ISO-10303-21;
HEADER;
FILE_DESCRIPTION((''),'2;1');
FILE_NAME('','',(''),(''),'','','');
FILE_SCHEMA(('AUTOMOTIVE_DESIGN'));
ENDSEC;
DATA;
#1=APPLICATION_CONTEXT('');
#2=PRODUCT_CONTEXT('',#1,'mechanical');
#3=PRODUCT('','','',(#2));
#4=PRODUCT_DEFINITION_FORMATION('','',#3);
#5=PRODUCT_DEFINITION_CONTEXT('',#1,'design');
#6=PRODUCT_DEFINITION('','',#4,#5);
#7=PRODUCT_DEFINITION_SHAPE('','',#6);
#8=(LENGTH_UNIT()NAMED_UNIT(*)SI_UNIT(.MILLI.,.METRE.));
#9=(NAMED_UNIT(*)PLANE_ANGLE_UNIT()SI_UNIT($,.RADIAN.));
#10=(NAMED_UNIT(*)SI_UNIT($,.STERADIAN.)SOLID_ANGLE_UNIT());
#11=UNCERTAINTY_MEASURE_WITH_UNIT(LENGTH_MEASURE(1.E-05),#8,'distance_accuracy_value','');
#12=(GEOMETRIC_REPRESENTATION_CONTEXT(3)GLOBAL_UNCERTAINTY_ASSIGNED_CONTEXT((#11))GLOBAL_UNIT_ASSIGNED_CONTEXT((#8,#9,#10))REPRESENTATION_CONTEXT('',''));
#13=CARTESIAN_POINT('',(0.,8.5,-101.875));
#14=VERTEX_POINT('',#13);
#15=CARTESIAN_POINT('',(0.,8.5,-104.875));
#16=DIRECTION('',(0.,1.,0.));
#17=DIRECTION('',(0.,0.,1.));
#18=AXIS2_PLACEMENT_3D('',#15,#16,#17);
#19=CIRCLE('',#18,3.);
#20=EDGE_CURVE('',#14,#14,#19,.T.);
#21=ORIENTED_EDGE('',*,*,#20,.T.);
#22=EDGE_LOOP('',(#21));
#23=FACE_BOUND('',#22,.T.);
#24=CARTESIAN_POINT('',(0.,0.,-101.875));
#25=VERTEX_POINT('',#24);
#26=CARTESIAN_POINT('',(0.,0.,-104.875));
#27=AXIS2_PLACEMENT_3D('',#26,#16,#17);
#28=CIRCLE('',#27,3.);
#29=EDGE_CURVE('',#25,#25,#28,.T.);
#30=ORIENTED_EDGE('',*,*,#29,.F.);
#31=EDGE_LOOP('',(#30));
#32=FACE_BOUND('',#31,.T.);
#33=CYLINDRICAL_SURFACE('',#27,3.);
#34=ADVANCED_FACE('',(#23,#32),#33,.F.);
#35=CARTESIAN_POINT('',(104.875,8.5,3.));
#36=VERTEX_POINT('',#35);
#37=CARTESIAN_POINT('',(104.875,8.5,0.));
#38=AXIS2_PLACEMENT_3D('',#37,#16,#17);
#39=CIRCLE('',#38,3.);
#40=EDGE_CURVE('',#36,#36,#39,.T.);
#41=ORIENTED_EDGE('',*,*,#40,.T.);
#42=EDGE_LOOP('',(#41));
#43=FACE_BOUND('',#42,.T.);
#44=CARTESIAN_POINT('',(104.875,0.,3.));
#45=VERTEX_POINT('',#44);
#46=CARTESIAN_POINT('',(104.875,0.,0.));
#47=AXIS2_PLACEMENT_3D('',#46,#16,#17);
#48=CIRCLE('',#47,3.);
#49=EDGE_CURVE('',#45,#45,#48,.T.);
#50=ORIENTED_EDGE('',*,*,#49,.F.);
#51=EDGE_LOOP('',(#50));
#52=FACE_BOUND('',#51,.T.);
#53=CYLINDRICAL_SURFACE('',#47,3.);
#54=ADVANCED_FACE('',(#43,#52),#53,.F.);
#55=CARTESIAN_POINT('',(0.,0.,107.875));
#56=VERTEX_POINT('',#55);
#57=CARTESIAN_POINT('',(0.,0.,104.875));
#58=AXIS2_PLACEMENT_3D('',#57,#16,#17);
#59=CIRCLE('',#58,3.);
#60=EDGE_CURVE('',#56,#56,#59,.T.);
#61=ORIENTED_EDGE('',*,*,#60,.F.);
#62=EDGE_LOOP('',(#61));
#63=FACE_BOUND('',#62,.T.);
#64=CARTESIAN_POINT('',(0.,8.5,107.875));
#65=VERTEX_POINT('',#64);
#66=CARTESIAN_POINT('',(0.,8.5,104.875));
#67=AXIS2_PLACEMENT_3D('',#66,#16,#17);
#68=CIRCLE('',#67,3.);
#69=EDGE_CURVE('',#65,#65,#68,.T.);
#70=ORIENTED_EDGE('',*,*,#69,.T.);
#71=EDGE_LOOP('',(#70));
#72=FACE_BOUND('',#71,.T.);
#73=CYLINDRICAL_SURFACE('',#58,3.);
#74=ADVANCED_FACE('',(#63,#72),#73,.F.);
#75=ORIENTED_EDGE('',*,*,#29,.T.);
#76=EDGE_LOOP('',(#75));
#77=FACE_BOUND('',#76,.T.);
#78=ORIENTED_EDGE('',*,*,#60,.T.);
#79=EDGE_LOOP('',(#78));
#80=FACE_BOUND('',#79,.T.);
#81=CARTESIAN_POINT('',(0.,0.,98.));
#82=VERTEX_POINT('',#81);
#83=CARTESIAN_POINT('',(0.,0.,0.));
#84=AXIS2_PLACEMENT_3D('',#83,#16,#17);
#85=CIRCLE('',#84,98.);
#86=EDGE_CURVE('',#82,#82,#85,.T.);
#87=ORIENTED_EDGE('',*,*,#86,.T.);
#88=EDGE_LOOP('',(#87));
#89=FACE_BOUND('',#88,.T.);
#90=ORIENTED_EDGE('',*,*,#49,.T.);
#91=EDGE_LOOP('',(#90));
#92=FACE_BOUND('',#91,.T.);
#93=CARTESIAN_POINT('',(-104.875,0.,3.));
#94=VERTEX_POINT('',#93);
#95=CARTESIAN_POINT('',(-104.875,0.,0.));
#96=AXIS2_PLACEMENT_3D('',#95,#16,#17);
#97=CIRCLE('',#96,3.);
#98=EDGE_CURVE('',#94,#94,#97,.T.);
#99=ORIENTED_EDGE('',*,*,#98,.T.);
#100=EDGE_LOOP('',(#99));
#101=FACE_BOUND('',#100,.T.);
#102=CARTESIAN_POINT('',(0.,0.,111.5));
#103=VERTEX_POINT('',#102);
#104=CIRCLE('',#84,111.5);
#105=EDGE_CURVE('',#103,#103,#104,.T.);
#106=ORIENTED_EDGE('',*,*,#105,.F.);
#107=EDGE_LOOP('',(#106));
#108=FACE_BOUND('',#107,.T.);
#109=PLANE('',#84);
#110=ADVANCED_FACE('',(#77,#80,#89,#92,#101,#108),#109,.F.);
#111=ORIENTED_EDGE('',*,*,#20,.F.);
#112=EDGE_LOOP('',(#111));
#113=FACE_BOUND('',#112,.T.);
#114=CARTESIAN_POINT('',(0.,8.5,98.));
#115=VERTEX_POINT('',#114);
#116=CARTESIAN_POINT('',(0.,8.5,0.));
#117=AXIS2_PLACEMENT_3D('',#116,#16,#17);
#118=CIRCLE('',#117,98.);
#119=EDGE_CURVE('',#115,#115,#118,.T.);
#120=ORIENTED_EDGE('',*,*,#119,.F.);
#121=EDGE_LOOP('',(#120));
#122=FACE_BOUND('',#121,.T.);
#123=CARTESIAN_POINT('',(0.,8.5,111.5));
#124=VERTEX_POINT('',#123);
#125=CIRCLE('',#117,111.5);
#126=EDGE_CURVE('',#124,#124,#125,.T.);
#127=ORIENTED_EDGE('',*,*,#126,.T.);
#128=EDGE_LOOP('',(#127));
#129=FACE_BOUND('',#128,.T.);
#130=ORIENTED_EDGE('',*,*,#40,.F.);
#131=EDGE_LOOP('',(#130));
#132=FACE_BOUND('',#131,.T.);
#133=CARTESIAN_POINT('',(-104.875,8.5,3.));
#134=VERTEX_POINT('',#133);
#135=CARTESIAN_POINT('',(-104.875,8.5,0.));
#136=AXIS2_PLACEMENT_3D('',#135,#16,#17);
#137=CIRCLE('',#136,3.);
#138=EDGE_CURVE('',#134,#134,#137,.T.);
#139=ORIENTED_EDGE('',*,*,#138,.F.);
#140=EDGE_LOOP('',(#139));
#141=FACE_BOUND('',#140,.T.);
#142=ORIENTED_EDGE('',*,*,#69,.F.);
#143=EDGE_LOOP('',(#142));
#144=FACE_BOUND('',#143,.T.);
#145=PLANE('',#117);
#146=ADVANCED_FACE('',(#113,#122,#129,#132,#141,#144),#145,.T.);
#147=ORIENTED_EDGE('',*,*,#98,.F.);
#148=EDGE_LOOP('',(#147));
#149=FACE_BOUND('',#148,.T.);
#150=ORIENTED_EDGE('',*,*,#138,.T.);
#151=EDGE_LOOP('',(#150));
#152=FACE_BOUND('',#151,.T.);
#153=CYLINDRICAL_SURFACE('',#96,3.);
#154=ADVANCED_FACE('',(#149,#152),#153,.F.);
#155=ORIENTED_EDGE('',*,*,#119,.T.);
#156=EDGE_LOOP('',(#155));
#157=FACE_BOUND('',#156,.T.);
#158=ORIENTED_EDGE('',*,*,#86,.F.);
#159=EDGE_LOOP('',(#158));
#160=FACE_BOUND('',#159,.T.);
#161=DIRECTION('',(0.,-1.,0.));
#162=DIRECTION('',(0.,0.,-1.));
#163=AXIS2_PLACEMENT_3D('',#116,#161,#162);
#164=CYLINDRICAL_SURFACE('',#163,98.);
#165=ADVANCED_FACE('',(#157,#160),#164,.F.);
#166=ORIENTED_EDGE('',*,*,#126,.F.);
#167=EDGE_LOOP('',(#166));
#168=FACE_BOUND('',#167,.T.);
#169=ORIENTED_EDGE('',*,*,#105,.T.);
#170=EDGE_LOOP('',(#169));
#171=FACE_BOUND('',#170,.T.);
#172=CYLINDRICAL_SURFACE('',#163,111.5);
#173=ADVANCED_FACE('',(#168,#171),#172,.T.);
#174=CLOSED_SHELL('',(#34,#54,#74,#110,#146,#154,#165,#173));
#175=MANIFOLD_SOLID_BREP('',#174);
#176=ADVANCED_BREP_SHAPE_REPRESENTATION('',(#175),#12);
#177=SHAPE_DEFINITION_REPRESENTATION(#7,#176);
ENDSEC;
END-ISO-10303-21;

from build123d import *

# Parameters (mm, degrees)
SKETCH1_R           = 111.5
SKETCH1_R_2         = 98
BOSS_EXTRUDE1_DEPTH = 8.5
SKETCH2_R           = 3
CUT_EXTRUDE1_DEPTH  = 9.5


with BuildPart() as part:
    # Sketch1 → Boss-Extrude1 (new body)
    with BuildSketch(Plane(origin=(0, 0, 0), x_dir=(1, 0, 0), z_dir=(0, 1, 0))):
        Circle(SKETCH1_R)
        Circle(SKETCH1_R_2, mode=Mode.SUBTRACT)
    extrude(amount=BOSS_EXTRUDE1_DEPTH)

    # Sketch2 → Cut-Extrude1 (cut, through all)
    with BuildSketch(Plane(origin=(0, 8.5, 0), x_dir=(1, 0, 0), z_dir=(0, 1, 0))):
        with Locations((0, 104.875)):
            Circle(SKETCH2_R)
        with Locations((-104.875, 0)):
            Circle(SKETCH2_R)
        with Locations((104.875, 0)):
            Circle(SKETCH2_R)
        with Locations((0, -104.875)):
            Circle(SKETCH2_R)
    extrude(amount=-CUT_EXTRUDE1_DEPTH, mode=Mode.SUBTRACT)


solid = part.part
